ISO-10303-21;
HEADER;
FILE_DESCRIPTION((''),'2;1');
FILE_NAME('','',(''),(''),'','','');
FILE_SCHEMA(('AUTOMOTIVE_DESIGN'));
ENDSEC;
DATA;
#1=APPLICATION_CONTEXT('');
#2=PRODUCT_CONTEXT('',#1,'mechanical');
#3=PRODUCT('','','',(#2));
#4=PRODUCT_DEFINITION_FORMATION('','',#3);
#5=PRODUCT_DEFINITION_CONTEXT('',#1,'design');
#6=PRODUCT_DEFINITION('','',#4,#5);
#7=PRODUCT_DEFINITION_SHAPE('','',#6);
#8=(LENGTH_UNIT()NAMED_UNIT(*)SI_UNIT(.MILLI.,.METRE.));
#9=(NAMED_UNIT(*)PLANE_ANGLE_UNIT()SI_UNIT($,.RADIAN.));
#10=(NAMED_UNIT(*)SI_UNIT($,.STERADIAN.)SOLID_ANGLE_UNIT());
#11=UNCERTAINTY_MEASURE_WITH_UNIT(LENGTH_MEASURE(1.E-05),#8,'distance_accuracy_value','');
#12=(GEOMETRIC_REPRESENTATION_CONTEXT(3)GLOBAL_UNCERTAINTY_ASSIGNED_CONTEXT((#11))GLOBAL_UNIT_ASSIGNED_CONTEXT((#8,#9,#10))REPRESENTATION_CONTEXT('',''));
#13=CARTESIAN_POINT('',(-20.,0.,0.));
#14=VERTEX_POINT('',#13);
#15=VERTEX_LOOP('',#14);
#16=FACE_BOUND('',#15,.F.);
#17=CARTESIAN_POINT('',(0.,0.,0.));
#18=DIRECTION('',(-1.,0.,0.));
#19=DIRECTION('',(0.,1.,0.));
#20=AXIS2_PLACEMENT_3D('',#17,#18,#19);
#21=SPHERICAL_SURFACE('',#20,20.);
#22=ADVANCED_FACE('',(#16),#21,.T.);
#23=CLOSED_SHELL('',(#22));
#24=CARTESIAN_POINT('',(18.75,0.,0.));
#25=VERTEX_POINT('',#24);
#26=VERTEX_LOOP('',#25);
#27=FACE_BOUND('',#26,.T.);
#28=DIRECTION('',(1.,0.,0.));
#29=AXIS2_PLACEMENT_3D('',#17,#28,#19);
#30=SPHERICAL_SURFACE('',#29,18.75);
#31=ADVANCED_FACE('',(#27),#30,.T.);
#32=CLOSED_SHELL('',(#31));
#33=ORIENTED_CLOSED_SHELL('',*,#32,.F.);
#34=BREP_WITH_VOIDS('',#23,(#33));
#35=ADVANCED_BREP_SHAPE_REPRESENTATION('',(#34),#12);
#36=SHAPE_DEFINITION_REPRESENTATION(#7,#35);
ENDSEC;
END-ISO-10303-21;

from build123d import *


with BuildPart() as f1:
    # F0 (on Top) → F1 (revolve)
    with BuildSketch(Plane.XY):
        with BuildLine():
            Line((18.75, 0), (20, 0))
            ThreePointArc((20, 0), (0, 20), (-20, 0))
            Line((-20, 0), (-18.75, 0))
            ThreePointArc((-18.75, 0), (0, 18.75), (18.75, 0))
        make_face()
    revolve(axis=Axis((0, 0, 0), (1, 0, 0)))


solid = f1.part
